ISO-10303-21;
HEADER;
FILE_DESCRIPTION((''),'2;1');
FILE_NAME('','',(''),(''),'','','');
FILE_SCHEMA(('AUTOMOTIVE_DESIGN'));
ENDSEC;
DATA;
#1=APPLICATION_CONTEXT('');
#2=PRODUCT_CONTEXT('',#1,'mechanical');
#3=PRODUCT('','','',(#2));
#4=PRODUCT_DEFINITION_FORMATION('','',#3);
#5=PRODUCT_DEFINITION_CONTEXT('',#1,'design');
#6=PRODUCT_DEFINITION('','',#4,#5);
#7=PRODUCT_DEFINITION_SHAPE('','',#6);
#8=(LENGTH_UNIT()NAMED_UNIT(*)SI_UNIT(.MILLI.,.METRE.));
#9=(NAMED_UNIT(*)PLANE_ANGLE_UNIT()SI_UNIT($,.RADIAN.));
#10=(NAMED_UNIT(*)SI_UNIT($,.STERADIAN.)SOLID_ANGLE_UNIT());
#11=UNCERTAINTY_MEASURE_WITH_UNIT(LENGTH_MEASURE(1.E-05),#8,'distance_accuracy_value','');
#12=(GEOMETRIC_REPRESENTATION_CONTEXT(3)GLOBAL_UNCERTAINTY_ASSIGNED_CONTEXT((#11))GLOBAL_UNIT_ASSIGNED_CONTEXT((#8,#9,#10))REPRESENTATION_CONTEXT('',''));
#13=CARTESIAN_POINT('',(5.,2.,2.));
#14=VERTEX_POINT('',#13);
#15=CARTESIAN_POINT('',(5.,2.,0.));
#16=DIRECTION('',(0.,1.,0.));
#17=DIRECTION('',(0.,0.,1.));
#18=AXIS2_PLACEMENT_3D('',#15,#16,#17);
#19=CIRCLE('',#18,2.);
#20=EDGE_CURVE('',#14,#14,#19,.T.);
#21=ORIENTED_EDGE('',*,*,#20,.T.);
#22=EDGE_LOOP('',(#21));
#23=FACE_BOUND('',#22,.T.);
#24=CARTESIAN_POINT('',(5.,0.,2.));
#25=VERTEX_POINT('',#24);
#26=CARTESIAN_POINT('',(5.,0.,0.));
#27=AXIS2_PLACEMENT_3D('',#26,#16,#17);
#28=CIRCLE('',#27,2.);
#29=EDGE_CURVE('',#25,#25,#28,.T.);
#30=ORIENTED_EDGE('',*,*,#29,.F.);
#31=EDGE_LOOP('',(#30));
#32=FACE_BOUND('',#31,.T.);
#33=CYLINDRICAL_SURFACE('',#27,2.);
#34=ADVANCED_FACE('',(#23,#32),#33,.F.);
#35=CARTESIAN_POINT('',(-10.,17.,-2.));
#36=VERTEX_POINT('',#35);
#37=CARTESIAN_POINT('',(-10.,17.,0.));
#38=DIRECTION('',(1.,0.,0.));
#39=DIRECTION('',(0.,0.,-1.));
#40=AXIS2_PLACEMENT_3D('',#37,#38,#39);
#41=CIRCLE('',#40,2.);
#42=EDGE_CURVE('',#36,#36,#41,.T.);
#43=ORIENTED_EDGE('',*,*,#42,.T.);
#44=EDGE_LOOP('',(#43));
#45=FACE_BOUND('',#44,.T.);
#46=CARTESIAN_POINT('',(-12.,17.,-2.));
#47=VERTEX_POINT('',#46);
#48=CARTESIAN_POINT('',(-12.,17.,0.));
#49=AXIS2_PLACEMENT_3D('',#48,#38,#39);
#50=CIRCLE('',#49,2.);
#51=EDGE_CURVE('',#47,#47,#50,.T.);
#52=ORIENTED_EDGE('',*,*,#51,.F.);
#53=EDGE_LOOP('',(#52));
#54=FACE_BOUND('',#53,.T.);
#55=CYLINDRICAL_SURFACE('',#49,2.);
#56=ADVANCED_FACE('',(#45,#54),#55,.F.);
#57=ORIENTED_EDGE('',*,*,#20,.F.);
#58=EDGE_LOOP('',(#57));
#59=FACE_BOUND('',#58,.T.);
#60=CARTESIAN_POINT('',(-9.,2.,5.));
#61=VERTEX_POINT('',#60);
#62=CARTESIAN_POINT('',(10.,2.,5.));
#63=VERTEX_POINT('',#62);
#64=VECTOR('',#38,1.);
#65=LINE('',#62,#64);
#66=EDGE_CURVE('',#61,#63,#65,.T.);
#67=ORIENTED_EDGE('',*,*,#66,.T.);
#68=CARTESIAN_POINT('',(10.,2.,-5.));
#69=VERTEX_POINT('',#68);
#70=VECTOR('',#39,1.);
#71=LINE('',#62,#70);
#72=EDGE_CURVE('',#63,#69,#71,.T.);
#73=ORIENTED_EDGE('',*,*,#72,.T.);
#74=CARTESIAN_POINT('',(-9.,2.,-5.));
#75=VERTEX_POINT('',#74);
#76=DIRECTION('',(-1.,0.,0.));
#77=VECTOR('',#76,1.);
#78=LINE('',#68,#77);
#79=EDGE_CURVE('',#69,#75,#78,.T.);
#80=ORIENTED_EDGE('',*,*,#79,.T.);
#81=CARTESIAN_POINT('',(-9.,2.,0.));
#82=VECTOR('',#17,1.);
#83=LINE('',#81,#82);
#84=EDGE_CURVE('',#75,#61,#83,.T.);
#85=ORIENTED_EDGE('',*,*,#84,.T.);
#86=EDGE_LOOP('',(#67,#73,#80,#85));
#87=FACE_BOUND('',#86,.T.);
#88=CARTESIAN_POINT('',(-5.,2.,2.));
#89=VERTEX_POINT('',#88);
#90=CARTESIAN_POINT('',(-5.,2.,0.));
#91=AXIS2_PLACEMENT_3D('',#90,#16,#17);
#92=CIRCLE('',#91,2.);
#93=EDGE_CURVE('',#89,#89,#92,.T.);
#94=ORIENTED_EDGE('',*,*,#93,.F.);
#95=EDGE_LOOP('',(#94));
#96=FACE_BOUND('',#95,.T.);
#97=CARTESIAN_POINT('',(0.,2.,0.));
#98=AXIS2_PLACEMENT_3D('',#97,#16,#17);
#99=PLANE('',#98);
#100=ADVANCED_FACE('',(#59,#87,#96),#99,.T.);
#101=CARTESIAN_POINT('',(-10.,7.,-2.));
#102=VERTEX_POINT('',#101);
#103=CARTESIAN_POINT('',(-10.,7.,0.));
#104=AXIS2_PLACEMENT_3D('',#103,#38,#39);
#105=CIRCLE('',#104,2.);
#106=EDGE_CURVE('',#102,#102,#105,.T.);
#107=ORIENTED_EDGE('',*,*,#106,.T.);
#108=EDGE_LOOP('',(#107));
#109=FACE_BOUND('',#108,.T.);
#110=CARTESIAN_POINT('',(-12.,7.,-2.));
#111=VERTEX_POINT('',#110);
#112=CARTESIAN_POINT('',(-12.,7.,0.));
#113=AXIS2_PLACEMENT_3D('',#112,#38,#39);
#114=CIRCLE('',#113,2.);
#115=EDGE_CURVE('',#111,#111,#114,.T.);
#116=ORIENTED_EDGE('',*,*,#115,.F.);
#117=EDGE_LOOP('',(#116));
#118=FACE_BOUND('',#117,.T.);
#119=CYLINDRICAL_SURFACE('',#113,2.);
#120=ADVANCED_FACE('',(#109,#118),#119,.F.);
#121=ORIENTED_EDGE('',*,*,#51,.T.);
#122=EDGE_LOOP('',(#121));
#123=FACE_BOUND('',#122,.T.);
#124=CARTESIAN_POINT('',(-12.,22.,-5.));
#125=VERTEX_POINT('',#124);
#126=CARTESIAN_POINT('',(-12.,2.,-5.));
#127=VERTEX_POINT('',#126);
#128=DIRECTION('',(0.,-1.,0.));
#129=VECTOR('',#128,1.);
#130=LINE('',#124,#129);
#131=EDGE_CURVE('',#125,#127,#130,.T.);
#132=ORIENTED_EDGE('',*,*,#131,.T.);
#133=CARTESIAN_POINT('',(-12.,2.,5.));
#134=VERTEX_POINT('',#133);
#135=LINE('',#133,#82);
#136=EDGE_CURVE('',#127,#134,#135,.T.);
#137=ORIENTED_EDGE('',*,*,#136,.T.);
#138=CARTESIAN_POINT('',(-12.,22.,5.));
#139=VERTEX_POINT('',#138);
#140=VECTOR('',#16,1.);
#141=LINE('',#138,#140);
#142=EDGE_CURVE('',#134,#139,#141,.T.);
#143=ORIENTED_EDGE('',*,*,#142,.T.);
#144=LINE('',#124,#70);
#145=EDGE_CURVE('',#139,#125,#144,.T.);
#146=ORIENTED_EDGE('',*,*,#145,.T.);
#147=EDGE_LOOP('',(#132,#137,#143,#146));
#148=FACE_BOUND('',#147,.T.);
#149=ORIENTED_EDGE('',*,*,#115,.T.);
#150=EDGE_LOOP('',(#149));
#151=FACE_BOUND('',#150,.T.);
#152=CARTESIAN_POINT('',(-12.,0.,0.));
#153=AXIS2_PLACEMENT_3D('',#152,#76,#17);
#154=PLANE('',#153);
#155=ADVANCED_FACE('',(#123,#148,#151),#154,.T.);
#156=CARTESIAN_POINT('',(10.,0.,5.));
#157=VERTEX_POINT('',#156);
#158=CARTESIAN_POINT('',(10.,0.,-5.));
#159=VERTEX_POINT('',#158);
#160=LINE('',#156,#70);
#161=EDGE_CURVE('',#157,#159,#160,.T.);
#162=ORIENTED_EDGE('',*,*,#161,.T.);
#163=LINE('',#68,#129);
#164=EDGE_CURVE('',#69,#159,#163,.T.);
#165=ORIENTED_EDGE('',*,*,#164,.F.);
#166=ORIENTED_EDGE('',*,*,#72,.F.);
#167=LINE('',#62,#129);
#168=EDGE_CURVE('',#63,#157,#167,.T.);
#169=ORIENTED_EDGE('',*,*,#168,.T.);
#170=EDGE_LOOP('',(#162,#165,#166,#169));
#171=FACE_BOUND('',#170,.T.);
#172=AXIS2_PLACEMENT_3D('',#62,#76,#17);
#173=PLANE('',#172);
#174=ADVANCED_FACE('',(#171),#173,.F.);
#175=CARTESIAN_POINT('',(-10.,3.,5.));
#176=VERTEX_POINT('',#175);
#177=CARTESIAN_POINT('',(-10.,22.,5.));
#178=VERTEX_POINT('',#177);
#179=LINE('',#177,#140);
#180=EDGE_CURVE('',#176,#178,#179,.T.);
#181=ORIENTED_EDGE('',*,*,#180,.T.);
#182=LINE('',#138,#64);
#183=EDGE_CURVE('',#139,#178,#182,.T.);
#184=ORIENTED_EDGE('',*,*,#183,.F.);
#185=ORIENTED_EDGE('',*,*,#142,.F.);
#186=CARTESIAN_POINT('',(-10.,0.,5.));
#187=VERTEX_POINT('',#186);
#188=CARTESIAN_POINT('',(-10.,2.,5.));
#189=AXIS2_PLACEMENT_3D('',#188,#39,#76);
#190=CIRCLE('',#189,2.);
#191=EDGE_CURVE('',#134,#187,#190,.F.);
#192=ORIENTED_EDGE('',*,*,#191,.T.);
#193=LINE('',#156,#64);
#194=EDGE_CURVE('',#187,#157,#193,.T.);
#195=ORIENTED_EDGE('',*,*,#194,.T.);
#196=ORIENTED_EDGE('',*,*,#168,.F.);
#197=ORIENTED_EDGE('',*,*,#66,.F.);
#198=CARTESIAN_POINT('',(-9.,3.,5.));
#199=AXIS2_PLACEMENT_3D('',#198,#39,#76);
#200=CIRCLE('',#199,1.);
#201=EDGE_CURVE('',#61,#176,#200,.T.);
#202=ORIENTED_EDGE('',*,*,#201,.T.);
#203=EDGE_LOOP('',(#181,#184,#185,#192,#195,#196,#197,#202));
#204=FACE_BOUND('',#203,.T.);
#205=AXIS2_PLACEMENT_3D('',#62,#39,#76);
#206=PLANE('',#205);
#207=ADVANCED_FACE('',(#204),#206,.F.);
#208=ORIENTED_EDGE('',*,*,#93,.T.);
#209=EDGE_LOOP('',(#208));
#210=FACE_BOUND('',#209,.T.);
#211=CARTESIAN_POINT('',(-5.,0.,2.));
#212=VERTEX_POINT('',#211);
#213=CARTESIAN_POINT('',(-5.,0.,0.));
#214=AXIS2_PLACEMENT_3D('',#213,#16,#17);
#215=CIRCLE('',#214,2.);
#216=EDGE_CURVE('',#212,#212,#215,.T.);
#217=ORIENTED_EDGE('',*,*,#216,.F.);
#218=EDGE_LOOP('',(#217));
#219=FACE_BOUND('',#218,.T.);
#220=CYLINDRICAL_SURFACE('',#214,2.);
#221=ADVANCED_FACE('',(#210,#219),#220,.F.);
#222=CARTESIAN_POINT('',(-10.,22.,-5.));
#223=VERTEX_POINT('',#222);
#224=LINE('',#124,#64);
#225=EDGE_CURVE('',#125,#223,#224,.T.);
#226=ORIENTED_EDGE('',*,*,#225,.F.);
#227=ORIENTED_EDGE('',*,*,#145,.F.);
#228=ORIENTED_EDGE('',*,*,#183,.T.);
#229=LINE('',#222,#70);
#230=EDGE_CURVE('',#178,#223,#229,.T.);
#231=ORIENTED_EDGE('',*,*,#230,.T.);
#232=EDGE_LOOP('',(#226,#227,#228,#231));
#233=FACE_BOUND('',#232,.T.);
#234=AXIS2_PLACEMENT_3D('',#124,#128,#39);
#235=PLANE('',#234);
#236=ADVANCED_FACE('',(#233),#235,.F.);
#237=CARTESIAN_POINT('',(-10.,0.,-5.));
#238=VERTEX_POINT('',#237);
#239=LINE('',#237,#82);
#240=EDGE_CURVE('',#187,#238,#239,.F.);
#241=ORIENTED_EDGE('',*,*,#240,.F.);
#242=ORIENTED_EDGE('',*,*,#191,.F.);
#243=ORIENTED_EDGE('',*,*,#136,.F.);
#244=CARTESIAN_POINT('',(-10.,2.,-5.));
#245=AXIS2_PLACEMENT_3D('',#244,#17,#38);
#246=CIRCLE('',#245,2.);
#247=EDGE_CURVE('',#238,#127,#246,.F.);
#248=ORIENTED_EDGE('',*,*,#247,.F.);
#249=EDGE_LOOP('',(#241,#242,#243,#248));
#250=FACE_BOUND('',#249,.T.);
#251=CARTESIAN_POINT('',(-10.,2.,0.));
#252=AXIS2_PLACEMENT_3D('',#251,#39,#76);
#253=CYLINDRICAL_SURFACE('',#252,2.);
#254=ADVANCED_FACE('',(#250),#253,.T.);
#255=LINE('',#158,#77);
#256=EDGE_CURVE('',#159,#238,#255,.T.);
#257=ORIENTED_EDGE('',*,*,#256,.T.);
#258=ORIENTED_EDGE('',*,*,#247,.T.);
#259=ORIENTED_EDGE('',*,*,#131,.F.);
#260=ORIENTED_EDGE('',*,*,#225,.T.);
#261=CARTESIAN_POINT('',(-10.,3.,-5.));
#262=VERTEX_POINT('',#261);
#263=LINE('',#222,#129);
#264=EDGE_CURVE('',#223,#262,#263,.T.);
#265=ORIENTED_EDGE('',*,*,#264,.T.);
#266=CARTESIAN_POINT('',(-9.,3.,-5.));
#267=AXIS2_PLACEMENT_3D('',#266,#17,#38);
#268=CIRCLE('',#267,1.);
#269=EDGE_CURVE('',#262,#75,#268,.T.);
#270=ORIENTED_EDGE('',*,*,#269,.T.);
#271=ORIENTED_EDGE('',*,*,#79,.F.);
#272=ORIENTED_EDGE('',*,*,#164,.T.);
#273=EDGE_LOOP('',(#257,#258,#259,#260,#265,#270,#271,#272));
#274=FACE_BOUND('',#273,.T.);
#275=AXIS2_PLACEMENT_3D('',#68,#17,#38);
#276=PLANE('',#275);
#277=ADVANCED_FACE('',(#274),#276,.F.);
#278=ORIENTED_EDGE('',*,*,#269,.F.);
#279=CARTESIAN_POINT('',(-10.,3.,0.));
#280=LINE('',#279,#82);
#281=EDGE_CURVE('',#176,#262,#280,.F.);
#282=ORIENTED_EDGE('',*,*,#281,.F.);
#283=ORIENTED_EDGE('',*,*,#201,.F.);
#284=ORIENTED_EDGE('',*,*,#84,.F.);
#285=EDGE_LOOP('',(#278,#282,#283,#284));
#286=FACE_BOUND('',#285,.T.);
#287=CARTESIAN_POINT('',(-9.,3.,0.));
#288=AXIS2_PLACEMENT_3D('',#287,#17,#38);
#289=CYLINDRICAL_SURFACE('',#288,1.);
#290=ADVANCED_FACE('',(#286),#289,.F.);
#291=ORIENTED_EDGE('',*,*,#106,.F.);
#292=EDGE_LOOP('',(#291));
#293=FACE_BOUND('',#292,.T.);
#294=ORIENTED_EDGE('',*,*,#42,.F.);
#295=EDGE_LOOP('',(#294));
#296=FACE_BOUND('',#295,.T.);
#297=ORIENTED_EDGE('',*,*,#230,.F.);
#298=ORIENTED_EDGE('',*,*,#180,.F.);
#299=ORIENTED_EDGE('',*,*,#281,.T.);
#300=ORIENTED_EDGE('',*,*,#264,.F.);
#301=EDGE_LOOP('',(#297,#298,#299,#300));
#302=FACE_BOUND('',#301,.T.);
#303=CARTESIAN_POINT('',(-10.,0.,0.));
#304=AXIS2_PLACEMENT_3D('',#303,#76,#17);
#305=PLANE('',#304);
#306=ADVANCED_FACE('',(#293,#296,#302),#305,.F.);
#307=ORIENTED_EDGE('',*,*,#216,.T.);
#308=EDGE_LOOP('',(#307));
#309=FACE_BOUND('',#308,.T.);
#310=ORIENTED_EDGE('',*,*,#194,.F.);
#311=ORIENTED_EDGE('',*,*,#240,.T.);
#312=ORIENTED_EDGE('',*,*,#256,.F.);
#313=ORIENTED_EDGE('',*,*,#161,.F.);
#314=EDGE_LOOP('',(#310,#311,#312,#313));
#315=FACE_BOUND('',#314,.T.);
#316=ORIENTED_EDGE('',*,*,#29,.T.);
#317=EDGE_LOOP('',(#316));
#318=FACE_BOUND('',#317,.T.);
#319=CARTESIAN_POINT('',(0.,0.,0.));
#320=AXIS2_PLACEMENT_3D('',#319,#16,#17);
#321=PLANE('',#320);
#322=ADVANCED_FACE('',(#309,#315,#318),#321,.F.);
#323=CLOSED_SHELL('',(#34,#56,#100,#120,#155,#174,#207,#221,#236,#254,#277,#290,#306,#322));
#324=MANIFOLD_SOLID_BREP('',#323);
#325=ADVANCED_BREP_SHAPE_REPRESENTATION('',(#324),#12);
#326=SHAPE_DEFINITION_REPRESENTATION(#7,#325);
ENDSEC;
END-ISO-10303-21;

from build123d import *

# Parameters (mm, degrees)
SKETCH1_W           = 20
SKETCH1_H           = 10
BOSS_EXTRUDE1_DEPTH = 2
SKETCH2_W           = 10
SKETCH2_H           = 22
BOSS_EXTRUDE2_DEPTH = 2
FILLET1_R           = 2
FILLET2_R           = 1
SKETCH3_R           = 2
CUT_EXTRUDE1_DEPTH  = 2
SKETCH4_R           = 2
CUT_EXTRUDE2_DEPTH  = 2


with BuildPart() as part:
    # Sketch1 → Boss-Extrude1 (new body)
    with BuildSketch(Plane(origin=(0, 0, 0), x_dir=(1, 0, 0), z_dir=(0, 1, 0))):
        Rectangle(SKETCH1_W, SKETCH1_H)
    extrude(amount=BOSS_EXTRUDE1_DEPTH)

    # Sketch2 → Boss-Extrude2 (add)
    with BuildSketch(Plane.ZY.offset(10)):
        with Locations((0, 11)):
            Rectangle(SKETCH2_W, SKETCH2_H)
    extrude(amount=BOSS_EXTRUDE2_DEPTH)

    # Fillet1
    fillet1_edges = [part.edges().sort_by_distance(p)[0] for p in [
        (-12, 0, 0),
    ]]
    fillet(fillet1_edges, radius=FILLET1_R)

    # Fillet2
    fillet2_edges = [part.edges().sort_by_distance(p)[0] for p in [
        (-10, 2, 0),
    ]]
    fillet(fillet2_edges, radius=FILLET2_R)

    # Sketch3 → Cut-Extrude1 (cut)
    with BuildSketch(Plane(origin=(0, 2, 0), x_dir=(1, 0, 0), z_dir=(0, 1, 0))):
        with Locations((-5, 0)):
            Circle(SKETCH3_R)
        with Locations((5, 0)):
            Circle(SKETCH3_R)
    extrude(amount=-CUT_EXTRUDE1_DEPTH, mode=Mode.SUBTRACT)

    # Sketch4 → Cut-Extrude2 (cut)
    with BuildSketch(Plane(origin=(-10, 0, 0), x_dir=(0, 0, -1), z_dir=(1, 0, 0))):
        with Locations((0, 17)):
            Circle(SKETCH4_R)
        with Locations((0, 7)):
            Circle(SKETCH4_R)
    extrude(amount=-CUT_EXTRUDE2_DEPTH, mode=Mode.SUBTRACT)


solid = part.part
